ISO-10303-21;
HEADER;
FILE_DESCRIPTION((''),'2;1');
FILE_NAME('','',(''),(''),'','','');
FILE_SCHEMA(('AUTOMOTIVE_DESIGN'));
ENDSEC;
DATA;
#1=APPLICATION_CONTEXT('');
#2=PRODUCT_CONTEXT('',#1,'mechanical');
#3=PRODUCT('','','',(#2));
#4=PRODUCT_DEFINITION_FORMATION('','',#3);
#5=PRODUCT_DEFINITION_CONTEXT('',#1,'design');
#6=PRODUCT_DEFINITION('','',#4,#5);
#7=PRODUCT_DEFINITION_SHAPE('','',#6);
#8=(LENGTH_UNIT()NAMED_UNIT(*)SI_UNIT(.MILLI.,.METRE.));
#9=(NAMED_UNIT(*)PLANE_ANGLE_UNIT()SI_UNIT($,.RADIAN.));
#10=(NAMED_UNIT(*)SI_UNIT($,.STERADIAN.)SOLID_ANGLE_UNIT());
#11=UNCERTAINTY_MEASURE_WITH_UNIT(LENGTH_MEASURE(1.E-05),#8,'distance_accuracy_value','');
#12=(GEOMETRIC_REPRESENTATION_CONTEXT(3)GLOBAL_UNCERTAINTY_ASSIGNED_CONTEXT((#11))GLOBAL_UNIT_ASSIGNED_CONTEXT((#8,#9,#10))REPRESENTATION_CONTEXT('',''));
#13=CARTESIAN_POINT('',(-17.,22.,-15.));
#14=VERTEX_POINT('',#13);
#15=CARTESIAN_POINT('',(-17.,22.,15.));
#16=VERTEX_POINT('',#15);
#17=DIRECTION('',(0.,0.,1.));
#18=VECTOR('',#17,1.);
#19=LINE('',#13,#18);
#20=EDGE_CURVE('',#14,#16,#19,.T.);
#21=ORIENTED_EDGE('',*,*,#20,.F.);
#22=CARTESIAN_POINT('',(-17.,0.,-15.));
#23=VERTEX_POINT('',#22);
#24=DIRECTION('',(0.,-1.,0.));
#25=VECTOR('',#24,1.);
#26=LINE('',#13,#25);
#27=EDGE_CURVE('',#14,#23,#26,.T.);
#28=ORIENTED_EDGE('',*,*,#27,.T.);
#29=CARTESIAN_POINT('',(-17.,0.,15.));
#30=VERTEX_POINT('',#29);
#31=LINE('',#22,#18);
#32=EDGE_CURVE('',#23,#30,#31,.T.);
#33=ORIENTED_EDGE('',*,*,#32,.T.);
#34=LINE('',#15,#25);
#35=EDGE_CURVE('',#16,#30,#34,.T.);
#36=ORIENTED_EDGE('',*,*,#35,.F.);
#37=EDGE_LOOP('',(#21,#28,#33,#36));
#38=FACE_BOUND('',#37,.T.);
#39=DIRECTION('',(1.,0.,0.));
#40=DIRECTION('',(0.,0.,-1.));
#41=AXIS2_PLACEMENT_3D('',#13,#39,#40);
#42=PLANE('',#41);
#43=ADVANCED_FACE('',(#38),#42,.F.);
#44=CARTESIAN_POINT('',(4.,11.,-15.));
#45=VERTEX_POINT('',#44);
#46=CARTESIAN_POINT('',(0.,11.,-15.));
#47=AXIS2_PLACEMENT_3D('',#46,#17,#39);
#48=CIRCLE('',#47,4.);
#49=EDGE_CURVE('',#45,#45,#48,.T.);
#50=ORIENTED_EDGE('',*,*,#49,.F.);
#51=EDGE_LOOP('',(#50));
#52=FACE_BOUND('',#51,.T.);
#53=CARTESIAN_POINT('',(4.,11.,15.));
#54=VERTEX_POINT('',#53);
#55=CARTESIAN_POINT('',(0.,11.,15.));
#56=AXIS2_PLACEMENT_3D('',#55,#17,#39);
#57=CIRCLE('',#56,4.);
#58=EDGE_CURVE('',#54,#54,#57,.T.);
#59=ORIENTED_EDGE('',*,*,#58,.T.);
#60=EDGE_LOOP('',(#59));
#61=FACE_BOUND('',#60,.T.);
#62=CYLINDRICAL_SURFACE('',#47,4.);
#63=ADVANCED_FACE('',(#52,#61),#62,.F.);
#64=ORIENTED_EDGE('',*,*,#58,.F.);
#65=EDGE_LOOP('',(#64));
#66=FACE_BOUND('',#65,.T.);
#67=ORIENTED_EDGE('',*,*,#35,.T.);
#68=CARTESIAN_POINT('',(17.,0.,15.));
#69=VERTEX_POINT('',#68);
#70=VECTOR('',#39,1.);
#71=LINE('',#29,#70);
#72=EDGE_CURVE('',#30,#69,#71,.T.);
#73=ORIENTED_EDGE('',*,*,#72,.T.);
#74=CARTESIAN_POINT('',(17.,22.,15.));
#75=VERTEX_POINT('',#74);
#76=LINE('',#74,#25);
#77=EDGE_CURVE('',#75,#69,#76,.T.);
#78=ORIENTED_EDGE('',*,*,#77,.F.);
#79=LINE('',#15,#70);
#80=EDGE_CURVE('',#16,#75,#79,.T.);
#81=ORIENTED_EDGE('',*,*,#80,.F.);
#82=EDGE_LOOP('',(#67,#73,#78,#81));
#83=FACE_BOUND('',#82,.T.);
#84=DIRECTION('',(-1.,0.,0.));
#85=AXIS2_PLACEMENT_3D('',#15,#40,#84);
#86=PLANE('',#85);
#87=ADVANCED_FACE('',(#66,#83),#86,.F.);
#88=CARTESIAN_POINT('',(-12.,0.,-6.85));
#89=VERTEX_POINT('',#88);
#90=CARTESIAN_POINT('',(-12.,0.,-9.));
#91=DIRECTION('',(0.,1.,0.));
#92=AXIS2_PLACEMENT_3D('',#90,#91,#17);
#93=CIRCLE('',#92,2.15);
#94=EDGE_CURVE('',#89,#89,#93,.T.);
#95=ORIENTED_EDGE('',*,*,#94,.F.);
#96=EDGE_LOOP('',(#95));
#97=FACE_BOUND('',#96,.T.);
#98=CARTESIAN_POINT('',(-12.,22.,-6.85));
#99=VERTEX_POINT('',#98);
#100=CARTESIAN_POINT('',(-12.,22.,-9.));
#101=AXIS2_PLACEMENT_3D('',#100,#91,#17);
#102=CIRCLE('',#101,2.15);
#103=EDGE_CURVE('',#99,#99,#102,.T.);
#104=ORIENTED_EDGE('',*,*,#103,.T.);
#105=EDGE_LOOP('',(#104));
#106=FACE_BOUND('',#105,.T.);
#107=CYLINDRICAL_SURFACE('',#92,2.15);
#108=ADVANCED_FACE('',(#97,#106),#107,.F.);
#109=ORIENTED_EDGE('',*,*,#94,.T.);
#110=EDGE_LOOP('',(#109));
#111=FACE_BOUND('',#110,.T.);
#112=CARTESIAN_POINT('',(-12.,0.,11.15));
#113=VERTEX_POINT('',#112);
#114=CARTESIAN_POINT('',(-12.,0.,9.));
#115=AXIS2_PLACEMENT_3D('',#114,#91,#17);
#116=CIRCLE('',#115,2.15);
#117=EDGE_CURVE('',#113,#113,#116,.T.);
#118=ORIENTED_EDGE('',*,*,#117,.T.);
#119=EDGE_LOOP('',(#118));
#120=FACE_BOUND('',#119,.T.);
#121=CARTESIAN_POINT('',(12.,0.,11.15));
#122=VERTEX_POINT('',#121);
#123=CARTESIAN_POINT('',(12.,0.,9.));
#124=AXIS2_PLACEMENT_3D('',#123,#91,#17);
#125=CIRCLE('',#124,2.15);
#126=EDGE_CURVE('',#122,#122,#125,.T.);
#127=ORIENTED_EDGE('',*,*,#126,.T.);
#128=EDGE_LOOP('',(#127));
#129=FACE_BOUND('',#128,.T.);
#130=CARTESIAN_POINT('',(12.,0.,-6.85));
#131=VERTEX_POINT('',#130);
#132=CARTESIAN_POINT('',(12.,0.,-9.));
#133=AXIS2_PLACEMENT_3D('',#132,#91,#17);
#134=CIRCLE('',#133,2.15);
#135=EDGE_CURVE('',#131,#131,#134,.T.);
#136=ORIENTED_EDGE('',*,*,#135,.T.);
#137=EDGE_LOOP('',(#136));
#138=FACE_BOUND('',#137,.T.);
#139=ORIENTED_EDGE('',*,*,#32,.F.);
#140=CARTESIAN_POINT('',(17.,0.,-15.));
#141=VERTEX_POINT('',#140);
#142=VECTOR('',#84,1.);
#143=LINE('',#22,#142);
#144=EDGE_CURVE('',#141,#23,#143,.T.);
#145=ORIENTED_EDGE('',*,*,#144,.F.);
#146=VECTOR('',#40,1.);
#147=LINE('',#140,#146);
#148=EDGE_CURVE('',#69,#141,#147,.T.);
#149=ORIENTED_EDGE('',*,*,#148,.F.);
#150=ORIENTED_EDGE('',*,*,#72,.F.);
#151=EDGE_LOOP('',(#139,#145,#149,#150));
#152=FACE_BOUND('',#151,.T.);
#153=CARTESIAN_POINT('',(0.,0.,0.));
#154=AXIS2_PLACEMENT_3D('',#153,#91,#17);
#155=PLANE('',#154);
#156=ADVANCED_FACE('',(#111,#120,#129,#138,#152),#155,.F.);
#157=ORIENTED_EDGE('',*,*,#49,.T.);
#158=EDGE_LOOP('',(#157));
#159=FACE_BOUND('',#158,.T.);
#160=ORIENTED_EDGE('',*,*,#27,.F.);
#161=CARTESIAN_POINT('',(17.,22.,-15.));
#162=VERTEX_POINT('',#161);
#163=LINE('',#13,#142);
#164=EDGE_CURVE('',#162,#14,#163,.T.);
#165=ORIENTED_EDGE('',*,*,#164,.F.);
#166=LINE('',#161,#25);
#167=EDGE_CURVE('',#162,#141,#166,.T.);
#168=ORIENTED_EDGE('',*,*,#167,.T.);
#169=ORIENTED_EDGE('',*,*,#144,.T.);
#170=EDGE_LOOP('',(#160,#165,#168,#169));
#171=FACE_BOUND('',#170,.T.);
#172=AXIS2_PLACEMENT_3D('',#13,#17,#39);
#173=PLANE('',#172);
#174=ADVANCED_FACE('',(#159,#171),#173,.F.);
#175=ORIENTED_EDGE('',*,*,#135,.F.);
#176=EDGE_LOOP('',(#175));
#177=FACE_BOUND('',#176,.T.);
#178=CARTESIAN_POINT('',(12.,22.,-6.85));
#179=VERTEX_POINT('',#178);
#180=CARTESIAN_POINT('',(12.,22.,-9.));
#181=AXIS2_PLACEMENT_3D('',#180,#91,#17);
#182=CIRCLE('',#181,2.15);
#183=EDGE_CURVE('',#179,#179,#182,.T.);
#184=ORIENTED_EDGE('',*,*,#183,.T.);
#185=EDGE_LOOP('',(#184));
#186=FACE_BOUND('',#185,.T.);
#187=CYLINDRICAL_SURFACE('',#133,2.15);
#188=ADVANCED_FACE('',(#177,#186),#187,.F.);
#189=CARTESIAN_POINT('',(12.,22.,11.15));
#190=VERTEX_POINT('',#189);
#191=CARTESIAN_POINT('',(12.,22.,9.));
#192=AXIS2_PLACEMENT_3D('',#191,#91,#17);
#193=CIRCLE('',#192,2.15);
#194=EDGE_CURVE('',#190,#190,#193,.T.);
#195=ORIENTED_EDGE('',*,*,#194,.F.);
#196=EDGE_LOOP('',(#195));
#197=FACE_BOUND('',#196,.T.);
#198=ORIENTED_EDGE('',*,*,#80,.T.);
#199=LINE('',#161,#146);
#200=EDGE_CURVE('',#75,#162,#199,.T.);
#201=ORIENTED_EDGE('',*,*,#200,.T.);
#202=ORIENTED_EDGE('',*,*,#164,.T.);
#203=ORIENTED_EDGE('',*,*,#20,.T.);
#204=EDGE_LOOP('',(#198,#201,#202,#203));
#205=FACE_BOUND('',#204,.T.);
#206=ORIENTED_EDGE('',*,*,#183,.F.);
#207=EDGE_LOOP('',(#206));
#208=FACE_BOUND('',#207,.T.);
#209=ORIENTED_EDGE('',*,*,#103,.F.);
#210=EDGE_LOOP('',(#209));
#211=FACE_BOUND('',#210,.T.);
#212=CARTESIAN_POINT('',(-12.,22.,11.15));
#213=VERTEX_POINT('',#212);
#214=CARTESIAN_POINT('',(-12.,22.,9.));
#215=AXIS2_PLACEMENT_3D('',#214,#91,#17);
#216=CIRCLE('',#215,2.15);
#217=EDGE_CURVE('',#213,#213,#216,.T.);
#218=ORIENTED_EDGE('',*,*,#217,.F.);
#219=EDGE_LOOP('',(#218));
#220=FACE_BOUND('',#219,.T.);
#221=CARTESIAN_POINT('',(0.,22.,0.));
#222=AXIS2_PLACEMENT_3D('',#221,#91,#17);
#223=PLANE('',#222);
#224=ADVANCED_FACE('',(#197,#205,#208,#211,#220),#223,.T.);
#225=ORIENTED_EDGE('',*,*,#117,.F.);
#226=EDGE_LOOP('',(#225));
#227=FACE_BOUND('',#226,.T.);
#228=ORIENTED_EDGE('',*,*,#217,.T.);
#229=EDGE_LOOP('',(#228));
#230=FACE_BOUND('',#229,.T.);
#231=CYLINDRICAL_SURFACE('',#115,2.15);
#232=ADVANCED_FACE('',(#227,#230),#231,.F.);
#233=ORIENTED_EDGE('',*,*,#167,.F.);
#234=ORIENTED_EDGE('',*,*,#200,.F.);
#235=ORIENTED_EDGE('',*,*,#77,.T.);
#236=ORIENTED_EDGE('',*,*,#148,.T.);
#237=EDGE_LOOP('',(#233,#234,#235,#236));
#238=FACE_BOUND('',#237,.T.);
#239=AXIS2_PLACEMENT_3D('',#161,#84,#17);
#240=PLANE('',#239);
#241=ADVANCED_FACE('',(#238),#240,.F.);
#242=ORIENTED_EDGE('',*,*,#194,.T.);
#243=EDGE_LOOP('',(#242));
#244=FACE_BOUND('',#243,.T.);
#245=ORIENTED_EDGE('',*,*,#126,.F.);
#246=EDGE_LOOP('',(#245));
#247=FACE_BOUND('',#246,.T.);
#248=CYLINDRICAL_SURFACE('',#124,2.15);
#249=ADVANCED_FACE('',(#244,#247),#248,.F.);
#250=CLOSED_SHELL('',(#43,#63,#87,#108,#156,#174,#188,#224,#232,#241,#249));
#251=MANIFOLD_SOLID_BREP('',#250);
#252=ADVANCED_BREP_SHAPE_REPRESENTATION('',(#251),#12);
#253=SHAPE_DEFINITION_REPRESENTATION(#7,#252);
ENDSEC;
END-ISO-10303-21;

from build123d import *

# Parameters (mm, degrees)
SKETCH_1_W          = 34
SKETCH_1_H          = 30
EXTRUDE_1_DEPTH     = 22
SKETCH_2_R          = 2.15
CUT_EXTRUDE_1_DEPTH = 23
SKETCH_3_R          = 4
CUT_EXTRUDE_2_DEPTH = 31


with BuildPart() as part:
    # 草图1 → 凸台-拉伸1 (new body)
    with BuildSketch(Plane(origin=(0, 0, 0), x_dir=(1, 0, 0), z_dir=(0, 1, 0))):
        Rectangle(SKETCH_1_W, SKETCH_1_H)
    extrude(amount=EXTRUDE_1_DEPTH)

    # 草图2 → 切除-拉伸1 (cut, through all)
    with BuildSketch(Plane(origin=(0, 22, 0), x_dir=(1, 0, 0), z_dir=(0, 1, 0))):
        with Locations((-12, 9)):
            Circle(SKETCH_2_R)
        with Locations((12, 9)):
            Circle(SKETCH_2_R)
        with Locations((12, -9)):
            Circle(SKETCH_2_R)
        with Locations((-12, -9)):
            Circle(SKETCH_2_R)
    extrude(amount=-CUT_EXTRUDE_1_DEPTH, mode=Mode.SUBTRACT)

    # 草图3 → 切除-拉伸2 (cut, through all)
    with BuildSketch(Plane.XY.offset(15)):
        with Locations((0, 11)):
            Circle(SKETCH_3_R)
    extrude(amount=-CUT_EXTRUDE_2_DEPTH, mode=Mode.SUBTRACT)


solid = part.part
